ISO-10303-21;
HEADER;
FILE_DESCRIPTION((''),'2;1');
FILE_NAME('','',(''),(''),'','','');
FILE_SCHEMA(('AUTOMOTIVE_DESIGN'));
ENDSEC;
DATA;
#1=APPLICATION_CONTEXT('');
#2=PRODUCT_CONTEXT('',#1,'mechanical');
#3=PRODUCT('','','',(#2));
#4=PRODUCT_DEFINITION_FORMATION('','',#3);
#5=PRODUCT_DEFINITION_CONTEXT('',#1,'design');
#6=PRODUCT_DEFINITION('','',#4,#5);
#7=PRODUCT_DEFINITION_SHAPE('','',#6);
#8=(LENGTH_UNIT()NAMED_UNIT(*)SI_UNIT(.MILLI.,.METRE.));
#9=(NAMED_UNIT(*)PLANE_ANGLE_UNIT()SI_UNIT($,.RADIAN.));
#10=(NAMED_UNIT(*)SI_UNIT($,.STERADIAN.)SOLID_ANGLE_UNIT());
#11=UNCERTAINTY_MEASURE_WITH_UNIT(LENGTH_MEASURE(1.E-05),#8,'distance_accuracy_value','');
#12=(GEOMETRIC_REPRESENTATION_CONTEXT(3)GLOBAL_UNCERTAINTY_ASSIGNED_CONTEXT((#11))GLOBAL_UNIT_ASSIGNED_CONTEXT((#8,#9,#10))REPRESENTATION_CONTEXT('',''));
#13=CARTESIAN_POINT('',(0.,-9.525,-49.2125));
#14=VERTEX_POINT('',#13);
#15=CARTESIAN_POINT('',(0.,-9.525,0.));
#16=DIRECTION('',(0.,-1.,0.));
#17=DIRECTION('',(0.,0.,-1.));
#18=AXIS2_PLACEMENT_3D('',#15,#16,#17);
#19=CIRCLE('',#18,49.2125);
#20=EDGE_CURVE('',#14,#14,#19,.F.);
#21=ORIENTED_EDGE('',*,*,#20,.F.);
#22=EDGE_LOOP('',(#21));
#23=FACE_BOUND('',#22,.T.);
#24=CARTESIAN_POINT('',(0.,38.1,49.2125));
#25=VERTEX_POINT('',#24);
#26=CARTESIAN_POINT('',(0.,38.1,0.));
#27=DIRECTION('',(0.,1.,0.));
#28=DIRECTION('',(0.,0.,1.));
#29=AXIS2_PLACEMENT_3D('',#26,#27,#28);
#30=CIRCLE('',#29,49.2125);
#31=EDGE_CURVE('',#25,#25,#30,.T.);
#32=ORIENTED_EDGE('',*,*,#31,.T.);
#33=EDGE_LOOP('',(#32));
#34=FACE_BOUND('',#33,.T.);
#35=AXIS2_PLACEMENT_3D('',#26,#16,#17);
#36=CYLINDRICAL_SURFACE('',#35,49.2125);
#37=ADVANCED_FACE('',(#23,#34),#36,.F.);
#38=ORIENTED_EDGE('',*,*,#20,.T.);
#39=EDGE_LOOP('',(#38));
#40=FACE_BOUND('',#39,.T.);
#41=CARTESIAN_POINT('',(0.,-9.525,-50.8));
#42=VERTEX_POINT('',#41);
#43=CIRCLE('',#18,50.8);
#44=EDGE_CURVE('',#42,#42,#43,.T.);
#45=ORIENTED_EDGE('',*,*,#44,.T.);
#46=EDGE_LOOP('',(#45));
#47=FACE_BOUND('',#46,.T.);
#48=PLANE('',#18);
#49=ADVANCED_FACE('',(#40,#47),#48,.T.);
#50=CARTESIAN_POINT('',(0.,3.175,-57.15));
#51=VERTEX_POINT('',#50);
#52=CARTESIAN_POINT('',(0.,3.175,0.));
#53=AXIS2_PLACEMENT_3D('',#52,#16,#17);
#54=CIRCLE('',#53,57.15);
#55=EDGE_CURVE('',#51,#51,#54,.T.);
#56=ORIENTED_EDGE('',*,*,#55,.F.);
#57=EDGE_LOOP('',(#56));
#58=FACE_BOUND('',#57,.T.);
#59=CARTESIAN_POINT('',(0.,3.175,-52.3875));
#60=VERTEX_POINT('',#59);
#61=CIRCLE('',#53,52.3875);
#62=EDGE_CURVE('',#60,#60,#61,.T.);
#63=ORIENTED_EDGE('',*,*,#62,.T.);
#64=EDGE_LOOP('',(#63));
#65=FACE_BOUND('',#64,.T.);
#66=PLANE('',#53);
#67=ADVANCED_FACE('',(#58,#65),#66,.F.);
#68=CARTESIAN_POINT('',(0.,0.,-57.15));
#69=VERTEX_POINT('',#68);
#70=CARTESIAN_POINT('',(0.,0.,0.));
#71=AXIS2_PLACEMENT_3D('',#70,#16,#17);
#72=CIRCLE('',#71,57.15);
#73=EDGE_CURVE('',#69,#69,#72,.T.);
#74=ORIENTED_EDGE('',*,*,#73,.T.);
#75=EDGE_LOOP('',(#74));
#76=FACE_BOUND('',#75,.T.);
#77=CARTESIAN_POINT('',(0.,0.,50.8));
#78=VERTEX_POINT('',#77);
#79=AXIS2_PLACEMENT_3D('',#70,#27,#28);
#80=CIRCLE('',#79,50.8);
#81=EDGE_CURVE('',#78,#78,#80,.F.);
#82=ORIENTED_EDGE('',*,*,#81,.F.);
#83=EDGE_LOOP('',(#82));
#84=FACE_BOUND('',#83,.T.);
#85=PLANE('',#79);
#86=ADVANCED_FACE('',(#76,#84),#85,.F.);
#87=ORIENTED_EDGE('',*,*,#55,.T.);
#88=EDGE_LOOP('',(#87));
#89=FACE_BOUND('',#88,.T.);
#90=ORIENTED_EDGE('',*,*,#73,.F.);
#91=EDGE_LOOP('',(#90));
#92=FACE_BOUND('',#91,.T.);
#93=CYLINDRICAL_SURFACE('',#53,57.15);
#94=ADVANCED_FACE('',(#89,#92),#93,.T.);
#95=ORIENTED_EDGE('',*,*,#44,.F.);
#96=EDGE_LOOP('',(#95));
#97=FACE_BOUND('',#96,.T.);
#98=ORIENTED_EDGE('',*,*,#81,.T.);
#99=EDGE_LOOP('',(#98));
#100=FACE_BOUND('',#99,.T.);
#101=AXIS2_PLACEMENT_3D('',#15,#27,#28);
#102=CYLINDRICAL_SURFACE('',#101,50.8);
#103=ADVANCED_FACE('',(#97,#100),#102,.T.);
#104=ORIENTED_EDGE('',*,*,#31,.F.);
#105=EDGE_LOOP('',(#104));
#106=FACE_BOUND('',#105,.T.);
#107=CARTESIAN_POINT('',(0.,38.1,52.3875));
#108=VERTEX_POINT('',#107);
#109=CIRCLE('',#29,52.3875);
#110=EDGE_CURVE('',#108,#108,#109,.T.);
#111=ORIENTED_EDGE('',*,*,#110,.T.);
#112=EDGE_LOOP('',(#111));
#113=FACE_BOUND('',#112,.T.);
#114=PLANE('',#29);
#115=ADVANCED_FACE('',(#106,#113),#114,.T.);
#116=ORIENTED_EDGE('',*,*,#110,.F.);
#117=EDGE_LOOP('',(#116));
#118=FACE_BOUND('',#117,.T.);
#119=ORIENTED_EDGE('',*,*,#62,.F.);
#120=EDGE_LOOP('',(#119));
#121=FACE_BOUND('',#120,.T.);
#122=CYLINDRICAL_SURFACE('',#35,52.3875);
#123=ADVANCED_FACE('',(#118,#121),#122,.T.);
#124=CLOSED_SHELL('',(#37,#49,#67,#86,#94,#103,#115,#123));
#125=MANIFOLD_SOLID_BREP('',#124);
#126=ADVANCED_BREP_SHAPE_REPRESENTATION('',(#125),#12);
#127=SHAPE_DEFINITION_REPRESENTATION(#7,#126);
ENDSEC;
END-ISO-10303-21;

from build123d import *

# Parameters (mm, degrees)
SKETCH1_R           = 52.3875
SKETCH1_R_2         = 49.2125
BOSS_EXTRUDE1_DEPTH = 38.1
SKETCH2_R           = 50.8
SKETCH2_R_2         = 49.2125
BOSS_EXTRUDE2_DEPTH = 9.525
SKETCH3_R           = 57.15
SKETCH3_R_2         = 52.3875
BOSS_EXTRUDE3_DEPTH = 3.175


with BuildPart() as part:
    # Sketch1 → Boss-Extrude1 (new body)
    with BuildSketch(Plane(origin=(0, 0, 0), x_dir=(1, 0, 0), z_dir=(0, 1, 0))):
        Circle(SKETCH1_R)
        Circle(SKETCH1_R_2, mode=Mode.SUBTRACT)
    extrude(amount=BOSS_EXTRUDE1_DEPTH)

    # Sketch2 → Boss-Extrude2 (add)
    with BuildSketch(Plane.XZ):
        Circle(SKETCH2_R)
        Circle(SKETCH2_R_2, mode=Mode.SUBTRACT)
    extrude(amount=BOSS_EXTRUDE2_DEPTH)

    # Sketch3 → Boss-Extrude3 (add)
    with BuildSketch(Plane.XZ):
        Circle(SKETCH3_R)
        Circle(SKETCH3_R_2, mode=Mode.SUBTRACT)
    extrude(amount=-BOSS_EXTRUDE3_DEPTH)


solid = part.part
